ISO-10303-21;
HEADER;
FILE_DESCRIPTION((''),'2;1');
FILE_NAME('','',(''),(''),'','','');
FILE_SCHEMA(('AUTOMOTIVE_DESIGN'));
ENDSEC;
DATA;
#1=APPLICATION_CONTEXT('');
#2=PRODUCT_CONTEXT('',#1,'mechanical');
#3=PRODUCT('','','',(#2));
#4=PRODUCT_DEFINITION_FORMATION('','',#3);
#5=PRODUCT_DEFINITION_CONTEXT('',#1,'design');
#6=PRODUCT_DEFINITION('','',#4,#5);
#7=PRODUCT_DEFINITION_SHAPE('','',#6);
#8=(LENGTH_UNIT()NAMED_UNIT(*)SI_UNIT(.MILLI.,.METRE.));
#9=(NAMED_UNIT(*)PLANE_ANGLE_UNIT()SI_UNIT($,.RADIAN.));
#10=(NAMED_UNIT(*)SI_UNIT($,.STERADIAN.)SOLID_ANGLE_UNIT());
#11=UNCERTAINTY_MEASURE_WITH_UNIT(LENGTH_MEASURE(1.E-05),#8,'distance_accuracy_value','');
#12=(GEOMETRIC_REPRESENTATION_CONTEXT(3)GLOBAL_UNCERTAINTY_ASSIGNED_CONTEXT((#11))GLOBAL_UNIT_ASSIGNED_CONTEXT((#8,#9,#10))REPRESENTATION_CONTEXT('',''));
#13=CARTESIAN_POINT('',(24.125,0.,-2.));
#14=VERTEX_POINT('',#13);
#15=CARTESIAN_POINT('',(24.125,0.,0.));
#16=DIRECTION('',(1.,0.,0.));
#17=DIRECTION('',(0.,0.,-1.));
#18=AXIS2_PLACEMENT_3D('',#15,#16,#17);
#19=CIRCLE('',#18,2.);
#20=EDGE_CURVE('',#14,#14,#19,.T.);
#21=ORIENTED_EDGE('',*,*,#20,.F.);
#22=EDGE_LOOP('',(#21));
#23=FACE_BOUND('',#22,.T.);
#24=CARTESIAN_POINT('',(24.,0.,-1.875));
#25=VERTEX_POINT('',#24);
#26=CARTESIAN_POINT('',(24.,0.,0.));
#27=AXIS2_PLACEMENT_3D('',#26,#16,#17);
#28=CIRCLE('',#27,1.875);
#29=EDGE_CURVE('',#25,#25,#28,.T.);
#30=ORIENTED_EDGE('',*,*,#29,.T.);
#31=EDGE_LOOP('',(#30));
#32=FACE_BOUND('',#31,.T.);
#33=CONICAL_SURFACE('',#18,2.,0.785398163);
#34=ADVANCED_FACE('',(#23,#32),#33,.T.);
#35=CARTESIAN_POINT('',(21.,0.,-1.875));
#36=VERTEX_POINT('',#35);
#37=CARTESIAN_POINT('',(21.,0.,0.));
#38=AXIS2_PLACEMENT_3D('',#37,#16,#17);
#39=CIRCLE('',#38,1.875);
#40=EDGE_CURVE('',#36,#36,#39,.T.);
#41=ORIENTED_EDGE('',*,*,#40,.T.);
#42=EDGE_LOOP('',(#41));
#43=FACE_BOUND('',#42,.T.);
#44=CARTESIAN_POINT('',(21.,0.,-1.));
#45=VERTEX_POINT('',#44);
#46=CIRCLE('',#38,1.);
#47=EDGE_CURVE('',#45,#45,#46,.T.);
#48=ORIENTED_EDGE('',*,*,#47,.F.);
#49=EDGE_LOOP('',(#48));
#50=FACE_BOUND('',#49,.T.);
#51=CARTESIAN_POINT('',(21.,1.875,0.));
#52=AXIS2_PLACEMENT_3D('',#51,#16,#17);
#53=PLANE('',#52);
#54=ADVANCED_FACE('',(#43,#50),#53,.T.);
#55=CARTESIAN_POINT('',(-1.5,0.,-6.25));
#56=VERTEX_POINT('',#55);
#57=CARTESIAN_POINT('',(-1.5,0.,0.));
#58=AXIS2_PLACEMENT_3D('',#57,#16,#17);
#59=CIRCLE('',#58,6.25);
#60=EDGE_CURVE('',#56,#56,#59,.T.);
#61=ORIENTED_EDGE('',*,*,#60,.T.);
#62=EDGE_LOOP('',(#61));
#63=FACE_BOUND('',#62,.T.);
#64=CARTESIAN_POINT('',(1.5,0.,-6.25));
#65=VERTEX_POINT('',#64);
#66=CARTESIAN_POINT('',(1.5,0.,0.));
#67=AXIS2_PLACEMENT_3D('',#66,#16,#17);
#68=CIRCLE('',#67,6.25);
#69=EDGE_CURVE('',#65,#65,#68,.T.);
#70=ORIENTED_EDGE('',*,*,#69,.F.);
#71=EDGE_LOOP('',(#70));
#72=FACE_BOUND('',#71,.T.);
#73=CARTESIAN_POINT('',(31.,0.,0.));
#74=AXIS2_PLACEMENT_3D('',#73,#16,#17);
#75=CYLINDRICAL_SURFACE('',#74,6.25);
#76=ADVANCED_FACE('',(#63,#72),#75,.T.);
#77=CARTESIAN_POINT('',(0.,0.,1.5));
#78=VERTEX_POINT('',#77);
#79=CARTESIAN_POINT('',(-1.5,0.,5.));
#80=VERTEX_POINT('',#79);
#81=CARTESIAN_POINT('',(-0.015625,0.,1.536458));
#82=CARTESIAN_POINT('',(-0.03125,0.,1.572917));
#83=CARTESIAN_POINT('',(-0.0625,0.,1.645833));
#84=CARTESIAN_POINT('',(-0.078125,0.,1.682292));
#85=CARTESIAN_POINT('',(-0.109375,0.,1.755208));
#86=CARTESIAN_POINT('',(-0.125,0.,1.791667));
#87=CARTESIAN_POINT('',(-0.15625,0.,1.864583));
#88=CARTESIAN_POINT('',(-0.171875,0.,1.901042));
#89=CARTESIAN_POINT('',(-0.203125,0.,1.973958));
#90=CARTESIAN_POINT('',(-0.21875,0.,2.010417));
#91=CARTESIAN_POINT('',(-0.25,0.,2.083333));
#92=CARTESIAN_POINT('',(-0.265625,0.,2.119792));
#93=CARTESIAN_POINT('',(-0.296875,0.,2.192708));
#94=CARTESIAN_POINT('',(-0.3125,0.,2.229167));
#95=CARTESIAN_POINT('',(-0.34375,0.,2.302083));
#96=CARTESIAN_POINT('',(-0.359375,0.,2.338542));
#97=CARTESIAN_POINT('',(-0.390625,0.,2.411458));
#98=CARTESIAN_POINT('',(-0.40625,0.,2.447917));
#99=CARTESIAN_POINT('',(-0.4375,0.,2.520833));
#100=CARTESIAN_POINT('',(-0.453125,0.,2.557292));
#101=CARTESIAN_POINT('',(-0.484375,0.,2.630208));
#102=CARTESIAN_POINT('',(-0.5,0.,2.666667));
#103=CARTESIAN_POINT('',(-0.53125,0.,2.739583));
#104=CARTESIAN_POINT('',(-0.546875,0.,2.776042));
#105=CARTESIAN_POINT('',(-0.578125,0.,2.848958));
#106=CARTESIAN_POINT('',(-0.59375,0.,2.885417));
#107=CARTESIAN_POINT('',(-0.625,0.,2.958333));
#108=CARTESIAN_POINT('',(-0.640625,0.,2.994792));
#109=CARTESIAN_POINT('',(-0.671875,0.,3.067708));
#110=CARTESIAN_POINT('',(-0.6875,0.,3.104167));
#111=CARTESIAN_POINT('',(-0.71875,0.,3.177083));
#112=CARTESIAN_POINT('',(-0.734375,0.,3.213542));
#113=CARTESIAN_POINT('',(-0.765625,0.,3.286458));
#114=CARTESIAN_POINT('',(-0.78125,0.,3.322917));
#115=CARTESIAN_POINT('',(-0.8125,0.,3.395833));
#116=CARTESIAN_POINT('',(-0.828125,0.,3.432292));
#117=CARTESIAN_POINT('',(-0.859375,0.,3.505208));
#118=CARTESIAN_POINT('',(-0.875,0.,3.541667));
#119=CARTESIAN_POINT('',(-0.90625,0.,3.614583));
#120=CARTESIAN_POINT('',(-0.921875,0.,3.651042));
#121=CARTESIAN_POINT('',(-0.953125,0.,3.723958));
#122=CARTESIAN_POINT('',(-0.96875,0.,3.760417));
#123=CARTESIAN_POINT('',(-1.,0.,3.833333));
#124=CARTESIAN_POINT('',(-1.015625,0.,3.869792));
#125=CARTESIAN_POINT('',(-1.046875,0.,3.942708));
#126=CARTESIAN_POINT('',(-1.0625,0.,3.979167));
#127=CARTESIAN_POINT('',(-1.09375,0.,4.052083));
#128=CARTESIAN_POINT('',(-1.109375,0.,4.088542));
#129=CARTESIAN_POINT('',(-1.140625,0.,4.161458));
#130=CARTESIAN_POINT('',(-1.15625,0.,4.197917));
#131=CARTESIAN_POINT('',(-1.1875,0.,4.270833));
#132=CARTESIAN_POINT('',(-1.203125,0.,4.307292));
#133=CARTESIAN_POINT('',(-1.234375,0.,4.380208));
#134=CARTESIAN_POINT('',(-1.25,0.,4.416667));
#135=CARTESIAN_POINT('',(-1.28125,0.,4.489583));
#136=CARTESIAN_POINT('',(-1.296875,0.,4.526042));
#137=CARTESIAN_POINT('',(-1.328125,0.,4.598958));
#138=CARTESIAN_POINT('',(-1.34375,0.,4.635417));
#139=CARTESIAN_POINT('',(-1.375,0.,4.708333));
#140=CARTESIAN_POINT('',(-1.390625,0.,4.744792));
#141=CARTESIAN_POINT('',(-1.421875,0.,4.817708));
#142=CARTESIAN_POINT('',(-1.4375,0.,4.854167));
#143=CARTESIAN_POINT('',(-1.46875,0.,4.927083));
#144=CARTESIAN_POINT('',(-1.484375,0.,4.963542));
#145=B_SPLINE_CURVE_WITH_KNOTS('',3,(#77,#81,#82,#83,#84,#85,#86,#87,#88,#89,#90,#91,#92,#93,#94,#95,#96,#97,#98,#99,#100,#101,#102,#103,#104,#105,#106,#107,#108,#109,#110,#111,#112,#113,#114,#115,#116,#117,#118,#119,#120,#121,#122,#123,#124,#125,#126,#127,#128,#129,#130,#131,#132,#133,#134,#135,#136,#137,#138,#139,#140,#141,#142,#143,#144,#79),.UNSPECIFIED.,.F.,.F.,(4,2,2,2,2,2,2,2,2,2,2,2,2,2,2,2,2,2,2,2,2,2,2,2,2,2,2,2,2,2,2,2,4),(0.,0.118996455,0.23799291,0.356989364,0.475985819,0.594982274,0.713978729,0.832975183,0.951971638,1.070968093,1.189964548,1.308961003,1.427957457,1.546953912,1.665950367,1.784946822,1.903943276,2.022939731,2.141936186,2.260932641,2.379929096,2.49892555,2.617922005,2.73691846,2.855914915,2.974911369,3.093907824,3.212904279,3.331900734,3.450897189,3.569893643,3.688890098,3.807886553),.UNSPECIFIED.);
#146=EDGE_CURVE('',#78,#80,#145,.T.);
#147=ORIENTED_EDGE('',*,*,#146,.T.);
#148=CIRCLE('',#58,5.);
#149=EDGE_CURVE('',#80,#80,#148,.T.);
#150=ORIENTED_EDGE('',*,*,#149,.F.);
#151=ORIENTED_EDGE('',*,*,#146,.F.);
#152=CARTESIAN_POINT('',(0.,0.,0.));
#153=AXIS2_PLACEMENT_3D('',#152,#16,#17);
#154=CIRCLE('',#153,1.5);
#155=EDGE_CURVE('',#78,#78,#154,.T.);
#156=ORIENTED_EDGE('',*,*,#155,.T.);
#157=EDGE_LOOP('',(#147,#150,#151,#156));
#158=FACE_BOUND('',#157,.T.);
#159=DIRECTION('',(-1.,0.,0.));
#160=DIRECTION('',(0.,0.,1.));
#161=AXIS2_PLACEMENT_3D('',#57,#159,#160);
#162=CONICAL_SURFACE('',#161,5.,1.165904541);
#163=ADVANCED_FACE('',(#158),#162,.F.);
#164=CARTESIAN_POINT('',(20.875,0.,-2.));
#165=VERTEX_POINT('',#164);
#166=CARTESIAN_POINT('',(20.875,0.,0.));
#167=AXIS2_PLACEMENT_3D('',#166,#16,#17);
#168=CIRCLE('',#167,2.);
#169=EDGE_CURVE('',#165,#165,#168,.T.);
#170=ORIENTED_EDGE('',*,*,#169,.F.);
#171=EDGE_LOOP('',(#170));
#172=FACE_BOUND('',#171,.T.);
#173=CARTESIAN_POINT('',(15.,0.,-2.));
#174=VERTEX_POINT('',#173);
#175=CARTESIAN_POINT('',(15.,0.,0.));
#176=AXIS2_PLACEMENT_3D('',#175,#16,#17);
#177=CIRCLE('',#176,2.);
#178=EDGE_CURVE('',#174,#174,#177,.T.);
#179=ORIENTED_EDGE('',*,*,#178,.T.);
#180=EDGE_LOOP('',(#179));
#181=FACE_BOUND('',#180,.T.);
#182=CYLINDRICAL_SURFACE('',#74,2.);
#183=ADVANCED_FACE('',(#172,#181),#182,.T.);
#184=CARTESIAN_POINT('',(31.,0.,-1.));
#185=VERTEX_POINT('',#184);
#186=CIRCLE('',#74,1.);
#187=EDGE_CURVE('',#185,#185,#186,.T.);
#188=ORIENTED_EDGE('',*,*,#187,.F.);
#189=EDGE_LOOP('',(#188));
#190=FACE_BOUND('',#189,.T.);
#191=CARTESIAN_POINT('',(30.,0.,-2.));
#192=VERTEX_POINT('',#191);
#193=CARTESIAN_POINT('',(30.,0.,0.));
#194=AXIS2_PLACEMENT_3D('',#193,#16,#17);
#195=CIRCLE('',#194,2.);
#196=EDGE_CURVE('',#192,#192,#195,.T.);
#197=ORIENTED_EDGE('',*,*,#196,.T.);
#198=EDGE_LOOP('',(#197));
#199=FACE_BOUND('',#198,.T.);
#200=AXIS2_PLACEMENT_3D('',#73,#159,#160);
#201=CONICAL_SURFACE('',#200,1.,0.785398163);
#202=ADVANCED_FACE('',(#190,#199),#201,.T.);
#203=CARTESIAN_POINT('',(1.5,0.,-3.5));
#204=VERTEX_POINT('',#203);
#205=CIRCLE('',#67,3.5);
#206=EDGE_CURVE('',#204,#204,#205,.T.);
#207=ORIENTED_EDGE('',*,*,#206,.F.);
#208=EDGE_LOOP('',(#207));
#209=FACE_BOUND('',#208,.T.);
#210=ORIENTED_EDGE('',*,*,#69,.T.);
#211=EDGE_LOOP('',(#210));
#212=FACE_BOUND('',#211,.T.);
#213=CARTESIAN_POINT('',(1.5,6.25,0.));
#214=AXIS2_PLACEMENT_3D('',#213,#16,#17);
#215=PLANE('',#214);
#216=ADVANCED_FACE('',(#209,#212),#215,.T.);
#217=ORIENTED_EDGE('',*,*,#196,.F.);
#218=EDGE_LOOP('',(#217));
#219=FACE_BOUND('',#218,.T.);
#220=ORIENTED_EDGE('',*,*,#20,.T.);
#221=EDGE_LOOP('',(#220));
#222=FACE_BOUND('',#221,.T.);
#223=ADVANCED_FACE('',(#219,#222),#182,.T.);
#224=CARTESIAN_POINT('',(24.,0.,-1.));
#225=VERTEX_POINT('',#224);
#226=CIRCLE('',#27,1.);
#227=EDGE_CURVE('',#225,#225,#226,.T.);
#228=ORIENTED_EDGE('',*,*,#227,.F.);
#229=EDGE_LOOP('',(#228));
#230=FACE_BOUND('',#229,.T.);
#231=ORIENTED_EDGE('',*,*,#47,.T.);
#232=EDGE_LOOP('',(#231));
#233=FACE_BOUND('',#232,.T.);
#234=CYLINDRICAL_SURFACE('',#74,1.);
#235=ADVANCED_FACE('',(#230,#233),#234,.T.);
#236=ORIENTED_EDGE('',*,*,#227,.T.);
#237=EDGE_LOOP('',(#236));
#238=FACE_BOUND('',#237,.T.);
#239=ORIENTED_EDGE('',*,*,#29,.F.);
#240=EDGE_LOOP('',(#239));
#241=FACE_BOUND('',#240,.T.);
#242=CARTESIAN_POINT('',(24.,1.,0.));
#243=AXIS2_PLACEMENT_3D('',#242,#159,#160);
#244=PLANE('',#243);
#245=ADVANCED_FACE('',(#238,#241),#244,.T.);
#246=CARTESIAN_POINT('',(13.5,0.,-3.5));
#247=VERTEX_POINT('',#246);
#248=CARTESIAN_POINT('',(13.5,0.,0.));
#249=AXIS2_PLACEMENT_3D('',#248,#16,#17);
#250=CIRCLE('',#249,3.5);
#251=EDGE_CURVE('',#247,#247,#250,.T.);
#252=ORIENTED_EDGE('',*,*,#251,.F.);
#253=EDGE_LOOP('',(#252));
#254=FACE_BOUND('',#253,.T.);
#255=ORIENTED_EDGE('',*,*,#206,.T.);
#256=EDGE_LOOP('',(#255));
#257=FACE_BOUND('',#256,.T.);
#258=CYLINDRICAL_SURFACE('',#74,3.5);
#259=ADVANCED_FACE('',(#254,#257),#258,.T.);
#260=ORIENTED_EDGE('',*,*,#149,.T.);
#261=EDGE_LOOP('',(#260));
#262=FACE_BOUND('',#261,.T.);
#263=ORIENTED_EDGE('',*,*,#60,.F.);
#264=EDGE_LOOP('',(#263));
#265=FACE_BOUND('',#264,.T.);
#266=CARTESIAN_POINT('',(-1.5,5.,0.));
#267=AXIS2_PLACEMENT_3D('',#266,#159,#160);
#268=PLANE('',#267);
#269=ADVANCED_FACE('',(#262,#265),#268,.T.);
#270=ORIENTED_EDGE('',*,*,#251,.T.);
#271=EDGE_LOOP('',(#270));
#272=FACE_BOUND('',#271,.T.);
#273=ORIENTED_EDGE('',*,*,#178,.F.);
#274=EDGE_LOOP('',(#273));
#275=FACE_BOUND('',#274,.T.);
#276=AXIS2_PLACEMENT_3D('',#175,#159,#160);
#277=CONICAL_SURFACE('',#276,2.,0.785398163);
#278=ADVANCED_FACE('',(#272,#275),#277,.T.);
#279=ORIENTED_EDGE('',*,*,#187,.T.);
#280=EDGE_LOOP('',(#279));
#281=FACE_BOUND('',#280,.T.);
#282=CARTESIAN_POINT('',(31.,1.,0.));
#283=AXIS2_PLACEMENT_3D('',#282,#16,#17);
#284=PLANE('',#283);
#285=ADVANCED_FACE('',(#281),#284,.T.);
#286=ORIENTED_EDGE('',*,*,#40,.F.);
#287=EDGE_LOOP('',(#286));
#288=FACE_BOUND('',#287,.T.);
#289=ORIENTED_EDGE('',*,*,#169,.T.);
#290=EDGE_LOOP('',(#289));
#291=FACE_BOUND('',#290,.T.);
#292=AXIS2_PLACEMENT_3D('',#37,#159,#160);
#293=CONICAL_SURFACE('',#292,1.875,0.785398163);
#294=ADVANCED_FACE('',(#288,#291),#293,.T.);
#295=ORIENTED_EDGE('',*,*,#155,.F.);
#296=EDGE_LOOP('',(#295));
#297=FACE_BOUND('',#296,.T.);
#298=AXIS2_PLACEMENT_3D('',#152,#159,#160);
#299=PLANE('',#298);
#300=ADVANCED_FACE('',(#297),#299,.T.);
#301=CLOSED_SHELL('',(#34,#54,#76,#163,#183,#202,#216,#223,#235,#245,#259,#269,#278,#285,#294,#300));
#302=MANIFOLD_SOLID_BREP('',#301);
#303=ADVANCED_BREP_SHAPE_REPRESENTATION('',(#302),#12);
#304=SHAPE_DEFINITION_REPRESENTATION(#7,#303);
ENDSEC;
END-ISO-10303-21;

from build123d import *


with BuildPart() as part:
    # Sketch1 → Revolve1 (revolve)
    with BuildSketch(Plane.XY, mode=Mode.PRIVATE) as revolve1_sk:
        Polygon((0, 0), (0, 1.5), (-1.5, 5), (-1.5, 6.25), (1.5, 6.25), (1.5, 3.5), (13.5, 3.5), (15, 2), (20.875, 2), (21, 1.875), (21, 1), (24, 1), (24, 1.875), (24.125, 2), (30, 2), (31, 1), (31, 0), align=None)
    revolve(revolve1_sk.sketch.rotate(Axis((31, 0, 0), (-1, 0, 0)), 90), axis=Axis((31, 0, 0), (-1, 0, 0)))


solid = part.part
